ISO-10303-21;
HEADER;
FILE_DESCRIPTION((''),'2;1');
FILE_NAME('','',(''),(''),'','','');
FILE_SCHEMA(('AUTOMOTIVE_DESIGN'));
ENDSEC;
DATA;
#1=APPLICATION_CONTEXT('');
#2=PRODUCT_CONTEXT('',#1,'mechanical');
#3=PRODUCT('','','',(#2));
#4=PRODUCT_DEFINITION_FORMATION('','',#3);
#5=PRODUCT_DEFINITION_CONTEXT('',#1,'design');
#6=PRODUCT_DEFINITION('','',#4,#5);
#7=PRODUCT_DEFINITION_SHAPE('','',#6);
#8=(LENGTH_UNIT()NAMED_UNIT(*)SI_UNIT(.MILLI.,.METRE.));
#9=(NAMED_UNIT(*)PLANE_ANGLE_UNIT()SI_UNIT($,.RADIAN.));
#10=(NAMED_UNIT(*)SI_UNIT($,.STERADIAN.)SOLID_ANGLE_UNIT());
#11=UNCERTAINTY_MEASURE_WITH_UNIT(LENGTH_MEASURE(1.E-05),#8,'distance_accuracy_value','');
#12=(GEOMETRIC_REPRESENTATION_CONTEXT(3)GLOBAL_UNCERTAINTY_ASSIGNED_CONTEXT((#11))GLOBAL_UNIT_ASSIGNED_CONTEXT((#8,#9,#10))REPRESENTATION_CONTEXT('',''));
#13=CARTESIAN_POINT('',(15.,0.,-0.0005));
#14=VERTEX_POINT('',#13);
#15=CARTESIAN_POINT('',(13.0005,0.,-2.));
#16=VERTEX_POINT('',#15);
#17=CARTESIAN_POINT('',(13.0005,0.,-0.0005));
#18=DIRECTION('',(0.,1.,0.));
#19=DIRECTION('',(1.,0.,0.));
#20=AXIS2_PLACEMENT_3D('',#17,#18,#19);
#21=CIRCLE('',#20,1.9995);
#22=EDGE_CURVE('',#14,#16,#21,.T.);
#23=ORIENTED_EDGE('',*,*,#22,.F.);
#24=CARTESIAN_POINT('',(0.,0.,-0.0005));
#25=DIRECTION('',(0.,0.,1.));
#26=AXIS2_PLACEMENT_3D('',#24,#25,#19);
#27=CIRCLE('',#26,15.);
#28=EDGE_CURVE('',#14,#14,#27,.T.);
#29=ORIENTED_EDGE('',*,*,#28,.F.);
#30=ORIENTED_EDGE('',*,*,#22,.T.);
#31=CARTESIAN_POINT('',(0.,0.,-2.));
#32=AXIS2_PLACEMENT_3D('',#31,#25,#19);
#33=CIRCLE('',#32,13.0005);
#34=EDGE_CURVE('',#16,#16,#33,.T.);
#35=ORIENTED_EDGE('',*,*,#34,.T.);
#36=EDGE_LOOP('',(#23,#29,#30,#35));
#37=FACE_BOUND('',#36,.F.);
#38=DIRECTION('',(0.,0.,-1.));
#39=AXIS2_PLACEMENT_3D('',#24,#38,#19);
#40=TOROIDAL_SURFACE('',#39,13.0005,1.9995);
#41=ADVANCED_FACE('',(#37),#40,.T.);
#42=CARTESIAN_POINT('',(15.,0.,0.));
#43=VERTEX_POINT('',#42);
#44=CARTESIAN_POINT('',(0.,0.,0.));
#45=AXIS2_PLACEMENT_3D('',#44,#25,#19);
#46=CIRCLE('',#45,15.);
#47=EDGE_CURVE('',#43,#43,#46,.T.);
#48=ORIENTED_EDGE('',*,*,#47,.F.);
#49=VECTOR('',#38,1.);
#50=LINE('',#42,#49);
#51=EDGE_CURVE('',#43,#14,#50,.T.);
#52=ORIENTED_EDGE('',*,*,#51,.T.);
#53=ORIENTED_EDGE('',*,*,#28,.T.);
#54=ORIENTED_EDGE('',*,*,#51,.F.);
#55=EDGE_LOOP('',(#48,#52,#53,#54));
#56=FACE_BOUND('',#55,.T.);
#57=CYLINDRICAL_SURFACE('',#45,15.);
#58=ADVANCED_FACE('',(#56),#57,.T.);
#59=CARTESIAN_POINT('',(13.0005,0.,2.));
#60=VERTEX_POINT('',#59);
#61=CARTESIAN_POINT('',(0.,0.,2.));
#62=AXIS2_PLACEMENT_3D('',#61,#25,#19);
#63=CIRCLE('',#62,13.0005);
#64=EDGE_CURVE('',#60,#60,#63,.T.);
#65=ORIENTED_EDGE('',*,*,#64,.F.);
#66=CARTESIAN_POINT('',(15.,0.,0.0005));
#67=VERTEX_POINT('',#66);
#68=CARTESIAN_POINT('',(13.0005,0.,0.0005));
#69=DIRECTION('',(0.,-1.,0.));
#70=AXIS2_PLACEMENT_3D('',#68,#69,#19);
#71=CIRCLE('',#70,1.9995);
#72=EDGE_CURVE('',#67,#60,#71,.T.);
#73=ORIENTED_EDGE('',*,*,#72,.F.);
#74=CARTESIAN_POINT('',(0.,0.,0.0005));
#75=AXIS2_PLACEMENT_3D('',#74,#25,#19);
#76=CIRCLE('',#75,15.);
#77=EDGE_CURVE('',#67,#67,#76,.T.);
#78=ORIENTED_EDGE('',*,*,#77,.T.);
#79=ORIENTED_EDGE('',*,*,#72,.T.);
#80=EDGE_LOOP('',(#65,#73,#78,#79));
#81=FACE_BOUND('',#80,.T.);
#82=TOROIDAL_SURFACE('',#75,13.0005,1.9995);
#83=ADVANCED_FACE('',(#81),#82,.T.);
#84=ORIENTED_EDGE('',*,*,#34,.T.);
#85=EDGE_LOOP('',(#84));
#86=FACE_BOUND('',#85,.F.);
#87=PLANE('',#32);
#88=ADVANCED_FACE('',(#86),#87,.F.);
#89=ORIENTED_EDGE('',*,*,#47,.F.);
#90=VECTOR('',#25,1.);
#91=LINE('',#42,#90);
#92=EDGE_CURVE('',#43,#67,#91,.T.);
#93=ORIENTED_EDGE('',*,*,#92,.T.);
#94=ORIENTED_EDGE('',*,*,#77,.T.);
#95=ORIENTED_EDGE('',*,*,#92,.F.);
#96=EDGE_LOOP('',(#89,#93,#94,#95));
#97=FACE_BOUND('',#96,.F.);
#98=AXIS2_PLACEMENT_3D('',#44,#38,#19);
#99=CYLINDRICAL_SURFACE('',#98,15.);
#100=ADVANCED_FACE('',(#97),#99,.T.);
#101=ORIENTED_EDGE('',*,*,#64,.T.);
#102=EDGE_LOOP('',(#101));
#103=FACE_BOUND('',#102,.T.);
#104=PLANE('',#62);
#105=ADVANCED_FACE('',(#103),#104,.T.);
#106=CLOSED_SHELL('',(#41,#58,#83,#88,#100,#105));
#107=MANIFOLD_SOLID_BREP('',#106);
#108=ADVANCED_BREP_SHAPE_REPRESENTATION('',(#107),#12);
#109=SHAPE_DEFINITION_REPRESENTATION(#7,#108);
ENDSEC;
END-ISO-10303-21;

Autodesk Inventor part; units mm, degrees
ref_plane "XZ Plane" through (0, 0, 0) normal (0, 1, 0) x (-1, 0, 0)
ref_plane "XY Plane" through (0, 0, 0) normal (0, 0, 1) x (1, 0, 0)
sketch "草圖1" plane through (0, 0, 0) normal (0, 0, 1) x (1, 0, 0)
  circle A0 centre (0, 0) radius 15
  dimension "d0" = 30
extrude "擠出1" add sketch "草圖1" along normal mid plane 4
fillet "圓角1" radius 2 2 edges at (-15, 0, 2) (-15, 0, -2)
ref_plane "工作平面1" through (15, 0, 0) normal (1, 0, 0) x (0, 1, 0)
properties part number "模擬錢幣"
